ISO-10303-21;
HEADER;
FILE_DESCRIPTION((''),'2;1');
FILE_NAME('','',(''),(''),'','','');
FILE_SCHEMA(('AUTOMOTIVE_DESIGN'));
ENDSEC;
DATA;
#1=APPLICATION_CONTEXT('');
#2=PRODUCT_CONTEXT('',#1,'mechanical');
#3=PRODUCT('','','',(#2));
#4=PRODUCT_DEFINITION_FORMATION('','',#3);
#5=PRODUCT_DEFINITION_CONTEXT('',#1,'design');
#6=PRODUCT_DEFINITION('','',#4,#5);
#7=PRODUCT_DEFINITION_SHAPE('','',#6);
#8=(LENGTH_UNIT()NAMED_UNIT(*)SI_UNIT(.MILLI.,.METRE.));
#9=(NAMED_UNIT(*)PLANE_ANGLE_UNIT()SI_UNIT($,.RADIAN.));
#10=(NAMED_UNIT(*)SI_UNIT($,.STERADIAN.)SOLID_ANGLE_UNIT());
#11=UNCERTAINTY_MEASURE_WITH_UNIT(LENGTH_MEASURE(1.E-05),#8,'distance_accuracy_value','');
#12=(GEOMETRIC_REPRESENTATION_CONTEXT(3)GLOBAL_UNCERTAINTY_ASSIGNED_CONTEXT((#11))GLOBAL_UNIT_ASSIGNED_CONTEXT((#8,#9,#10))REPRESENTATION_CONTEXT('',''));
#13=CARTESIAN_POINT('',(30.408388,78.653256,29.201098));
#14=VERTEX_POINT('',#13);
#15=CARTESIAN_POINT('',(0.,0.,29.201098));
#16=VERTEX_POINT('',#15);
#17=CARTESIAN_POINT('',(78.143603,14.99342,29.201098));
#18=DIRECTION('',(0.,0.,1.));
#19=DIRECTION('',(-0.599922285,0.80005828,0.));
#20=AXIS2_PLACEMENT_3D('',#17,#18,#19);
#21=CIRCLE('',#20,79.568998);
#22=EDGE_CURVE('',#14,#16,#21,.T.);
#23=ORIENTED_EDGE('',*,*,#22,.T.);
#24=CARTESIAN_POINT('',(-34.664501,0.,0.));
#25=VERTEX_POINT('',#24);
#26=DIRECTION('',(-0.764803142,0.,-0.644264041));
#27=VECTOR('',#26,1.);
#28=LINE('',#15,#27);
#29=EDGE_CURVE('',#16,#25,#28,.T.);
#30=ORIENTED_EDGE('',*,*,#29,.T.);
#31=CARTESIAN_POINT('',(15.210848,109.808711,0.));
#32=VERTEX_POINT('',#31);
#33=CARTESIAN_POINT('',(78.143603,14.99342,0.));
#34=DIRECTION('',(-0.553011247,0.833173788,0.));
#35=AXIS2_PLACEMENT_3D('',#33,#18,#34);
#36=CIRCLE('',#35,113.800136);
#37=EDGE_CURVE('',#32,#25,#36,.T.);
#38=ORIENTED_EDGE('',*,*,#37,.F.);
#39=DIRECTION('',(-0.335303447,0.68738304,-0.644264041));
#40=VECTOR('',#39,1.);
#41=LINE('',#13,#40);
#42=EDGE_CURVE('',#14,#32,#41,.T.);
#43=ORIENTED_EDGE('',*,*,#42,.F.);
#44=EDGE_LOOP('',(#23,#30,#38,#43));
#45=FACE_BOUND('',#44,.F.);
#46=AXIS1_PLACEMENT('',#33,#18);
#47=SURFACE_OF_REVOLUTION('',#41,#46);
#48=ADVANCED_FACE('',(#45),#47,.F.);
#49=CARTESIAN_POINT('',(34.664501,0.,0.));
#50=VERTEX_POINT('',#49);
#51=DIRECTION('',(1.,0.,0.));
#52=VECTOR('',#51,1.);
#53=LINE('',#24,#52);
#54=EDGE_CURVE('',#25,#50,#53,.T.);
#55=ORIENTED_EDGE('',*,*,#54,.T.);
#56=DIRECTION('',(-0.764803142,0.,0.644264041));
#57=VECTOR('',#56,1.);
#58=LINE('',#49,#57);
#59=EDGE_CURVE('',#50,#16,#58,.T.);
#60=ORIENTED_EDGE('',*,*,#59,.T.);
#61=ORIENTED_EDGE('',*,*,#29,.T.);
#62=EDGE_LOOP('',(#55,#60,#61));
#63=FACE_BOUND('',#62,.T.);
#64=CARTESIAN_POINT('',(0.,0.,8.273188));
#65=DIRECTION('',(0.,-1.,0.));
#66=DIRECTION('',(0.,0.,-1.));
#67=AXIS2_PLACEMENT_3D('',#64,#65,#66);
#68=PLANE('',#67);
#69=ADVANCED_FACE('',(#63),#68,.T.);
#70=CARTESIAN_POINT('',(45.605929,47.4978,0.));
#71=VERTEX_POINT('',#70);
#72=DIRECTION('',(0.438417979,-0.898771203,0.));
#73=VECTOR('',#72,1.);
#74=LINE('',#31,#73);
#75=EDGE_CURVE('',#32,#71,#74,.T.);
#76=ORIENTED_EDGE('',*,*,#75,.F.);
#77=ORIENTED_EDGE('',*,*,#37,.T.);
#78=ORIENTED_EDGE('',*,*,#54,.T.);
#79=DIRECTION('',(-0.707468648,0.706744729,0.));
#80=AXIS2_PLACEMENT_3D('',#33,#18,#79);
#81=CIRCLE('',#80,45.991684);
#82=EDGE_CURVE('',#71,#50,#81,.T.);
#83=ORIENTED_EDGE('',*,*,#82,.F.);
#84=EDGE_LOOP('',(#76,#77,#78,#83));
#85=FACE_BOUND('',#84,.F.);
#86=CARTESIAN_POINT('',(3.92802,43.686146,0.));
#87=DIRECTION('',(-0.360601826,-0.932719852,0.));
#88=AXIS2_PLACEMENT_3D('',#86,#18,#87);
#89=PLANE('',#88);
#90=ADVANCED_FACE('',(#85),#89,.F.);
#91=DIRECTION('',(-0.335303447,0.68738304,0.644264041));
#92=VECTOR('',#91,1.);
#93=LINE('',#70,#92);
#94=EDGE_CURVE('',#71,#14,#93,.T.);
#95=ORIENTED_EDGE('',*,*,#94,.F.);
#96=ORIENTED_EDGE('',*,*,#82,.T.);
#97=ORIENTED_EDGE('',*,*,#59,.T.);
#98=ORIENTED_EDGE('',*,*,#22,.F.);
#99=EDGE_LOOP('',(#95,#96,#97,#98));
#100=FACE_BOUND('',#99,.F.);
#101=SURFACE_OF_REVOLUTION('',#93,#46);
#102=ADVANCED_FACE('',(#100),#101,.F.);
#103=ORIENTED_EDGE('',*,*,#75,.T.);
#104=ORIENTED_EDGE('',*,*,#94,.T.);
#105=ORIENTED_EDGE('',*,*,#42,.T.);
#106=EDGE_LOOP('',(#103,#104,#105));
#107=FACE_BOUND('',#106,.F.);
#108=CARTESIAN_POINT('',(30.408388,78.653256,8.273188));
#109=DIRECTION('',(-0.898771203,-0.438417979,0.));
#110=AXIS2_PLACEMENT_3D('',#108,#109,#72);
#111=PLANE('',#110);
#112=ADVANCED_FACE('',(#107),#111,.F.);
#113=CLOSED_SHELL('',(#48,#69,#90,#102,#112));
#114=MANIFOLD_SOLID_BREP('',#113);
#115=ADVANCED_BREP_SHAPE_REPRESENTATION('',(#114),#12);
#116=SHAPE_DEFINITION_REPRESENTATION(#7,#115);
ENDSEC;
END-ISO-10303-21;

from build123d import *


with BuildPart() as f2:
    # F2: sweep along a path in F1
    with BuildLine(Plane.XY) as f2_path:
        ThreePointArc((35.780601, 67.640044), (14.319858, 37.192981), (12.253632, 0))
    # F0 (on Front) → F2 (sweep)
    with BuildSketch(Plane.XZ):
        Polygon((34.664501, 0), (0, 29.201098), (-34.664501, 0), align=None)
    sweep(path=f2_path.line)


solid = f2.part
